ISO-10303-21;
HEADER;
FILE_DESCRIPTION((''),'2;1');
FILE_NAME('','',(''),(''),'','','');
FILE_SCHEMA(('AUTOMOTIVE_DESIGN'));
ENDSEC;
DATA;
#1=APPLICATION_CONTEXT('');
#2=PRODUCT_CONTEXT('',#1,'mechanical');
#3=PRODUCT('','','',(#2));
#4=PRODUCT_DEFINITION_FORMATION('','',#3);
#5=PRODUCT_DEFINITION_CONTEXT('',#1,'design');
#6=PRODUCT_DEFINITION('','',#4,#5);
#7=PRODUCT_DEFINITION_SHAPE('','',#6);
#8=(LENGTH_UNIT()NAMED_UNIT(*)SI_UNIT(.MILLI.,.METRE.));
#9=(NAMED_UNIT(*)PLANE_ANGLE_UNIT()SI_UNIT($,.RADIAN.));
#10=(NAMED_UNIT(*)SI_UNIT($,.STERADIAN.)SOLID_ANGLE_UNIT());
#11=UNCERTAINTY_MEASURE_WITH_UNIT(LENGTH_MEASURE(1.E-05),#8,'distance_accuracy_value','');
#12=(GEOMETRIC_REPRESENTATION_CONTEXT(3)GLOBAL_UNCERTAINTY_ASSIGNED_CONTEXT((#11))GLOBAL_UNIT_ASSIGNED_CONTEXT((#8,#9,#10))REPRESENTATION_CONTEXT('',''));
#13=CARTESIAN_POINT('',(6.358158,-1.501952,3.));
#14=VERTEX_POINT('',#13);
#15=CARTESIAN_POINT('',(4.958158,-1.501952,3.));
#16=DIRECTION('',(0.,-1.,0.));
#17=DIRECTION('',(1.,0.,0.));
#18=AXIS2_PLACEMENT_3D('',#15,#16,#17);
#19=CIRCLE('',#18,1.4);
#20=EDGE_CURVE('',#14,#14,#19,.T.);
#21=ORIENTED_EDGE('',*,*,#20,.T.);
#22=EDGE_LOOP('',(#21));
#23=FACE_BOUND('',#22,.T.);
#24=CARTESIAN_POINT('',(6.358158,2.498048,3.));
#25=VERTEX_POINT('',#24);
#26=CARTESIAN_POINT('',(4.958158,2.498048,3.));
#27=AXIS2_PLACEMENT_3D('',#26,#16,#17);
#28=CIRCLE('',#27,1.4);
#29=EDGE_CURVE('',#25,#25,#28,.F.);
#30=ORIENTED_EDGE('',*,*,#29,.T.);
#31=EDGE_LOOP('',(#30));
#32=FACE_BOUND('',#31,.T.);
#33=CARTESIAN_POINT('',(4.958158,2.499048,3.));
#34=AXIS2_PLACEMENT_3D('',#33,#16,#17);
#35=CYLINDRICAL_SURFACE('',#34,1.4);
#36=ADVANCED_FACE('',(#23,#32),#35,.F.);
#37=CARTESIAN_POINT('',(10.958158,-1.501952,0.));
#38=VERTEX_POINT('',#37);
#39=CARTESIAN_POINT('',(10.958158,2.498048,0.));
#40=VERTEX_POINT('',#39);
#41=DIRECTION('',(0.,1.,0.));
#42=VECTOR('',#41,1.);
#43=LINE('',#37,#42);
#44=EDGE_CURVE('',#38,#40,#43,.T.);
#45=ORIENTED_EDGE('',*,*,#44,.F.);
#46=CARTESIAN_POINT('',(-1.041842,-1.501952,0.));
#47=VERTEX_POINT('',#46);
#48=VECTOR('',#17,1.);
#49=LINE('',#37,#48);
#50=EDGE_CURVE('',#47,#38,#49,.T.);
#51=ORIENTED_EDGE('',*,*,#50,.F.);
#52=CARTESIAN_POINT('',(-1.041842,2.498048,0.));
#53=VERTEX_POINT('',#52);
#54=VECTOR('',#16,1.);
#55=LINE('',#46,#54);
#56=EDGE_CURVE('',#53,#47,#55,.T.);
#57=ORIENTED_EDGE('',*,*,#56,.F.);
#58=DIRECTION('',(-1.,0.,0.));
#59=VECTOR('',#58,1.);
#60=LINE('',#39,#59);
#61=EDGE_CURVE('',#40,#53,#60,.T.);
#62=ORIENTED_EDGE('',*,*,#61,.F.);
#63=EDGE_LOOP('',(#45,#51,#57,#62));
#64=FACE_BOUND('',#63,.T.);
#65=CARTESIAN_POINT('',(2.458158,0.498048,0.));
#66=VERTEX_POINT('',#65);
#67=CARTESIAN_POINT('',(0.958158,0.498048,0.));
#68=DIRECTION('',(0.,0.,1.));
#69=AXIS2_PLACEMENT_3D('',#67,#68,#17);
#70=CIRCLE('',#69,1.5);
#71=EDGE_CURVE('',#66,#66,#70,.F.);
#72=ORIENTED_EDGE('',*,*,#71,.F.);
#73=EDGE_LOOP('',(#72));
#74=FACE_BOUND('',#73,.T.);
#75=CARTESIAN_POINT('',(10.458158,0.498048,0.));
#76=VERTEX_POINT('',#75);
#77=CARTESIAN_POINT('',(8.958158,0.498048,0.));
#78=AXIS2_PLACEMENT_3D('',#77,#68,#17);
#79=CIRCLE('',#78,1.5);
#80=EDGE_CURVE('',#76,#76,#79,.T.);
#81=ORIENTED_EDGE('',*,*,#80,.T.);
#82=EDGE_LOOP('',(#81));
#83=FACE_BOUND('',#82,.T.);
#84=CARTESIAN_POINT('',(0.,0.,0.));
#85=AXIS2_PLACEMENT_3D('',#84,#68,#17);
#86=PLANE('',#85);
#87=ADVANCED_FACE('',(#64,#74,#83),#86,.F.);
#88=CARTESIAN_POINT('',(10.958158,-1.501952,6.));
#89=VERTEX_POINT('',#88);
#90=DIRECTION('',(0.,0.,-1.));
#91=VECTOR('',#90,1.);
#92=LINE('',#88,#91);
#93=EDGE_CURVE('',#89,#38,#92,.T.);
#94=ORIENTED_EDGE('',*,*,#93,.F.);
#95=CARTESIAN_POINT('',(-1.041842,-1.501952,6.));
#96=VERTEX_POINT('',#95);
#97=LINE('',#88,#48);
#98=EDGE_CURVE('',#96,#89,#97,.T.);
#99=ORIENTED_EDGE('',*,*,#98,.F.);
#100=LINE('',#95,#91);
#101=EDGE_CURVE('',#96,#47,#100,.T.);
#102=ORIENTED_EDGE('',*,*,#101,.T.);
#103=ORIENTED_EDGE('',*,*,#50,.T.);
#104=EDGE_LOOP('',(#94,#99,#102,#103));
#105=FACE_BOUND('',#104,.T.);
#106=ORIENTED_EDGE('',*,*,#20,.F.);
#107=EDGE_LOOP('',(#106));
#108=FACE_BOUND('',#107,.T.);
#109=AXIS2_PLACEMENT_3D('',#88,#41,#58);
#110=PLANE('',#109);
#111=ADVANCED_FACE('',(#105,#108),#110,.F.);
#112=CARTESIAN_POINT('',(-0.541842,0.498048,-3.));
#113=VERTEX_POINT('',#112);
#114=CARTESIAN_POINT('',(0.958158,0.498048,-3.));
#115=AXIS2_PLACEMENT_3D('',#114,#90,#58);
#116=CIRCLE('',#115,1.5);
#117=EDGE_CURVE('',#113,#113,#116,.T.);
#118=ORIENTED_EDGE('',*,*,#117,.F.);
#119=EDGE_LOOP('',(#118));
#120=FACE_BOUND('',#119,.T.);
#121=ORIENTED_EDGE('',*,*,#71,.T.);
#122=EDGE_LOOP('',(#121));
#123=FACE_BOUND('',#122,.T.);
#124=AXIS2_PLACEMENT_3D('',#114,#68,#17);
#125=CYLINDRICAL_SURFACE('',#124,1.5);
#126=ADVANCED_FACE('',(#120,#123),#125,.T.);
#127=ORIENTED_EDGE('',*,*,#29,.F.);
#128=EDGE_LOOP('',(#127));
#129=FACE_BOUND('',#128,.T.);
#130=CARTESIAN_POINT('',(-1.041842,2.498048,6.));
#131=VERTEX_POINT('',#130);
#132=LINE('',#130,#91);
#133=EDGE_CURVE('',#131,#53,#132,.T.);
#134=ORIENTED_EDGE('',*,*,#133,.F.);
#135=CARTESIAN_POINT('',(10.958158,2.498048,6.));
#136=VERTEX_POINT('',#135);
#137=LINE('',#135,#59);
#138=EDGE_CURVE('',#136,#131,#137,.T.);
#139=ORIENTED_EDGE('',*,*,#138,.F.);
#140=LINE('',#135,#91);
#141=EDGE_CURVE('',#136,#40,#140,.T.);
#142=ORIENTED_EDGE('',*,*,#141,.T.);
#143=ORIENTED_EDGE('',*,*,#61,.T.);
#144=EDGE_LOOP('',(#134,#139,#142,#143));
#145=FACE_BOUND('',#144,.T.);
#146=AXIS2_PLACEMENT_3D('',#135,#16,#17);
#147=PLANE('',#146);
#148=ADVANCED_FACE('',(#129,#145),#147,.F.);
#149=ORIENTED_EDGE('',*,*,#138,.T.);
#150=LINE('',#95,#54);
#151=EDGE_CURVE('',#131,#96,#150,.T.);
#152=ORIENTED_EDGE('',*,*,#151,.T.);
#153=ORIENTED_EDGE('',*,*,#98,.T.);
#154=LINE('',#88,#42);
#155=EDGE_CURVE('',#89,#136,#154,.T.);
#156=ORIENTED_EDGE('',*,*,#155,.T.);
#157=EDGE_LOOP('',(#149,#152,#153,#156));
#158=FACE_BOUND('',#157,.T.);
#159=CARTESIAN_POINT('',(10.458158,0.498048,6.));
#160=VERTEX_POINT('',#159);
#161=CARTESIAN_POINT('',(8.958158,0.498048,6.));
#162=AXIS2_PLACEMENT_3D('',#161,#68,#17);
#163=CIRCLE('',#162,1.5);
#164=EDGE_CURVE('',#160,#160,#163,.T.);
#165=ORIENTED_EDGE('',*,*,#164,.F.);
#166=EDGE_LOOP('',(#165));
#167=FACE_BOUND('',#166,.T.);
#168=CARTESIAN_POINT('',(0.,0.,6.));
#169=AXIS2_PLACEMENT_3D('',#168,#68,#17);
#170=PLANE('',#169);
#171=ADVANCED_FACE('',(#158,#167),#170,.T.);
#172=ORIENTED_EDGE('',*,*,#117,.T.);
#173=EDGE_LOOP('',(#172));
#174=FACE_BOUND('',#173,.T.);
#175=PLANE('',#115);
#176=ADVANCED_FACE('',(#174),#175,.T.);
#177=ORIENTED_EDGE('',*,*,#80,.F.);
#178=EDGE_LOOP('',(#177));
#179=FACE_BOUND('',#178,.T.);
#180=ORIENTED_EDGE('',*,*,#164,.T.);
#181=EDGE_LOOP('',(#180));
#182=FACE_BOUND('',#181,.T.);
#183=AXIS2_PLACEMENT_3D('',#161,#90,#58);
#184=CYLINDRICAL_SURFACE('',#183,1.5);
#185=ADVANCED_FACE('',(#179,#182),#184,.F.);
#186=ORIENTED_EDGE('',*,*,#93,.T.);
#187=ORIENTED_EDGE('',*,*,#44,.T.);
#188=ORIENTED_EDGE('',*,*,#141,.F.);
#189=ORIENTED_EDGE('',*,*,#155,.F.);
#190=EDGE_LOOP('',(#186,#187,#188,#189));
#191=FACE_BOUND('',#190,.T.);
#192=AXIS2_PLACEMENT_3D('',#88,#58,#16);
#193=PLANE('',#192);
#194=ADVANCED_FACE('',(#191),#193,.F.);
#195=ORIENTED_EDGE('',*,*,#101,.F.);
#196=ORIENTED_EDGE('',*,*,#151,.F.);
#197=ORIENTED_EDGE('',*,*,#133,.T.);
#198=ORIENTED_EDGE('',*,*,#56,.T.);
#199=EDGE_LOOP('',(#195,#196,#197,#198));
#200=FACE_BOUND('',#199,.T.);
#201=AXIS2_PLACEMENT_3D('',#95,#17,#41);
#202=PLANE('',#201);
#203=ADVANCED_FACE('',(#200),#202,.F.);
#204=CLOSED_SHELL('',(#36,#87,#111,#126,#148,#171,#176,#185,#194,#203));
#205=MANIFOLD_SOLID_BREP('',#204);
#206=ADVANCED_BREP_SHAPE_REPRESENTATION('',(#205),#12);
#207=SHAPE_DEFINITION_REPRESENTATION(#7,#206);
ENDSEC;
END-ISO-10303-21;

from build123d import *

# Parameters (mm, degrees)
SKETCH_1_W          = 12
SKETCH_1_H          = 4
SKETCH_1_R          = 1.5
EXTRUDE_1_DEPTH     = 6
SKETCH_2_R          = 1.5
EXTRUDE_2_DEPTH     = 3
CUT_EXTRUDE_1_REACH = 15.118
SKETCH_3_R          = 1.4


with BuildPart() as part:
    # Эскиз1 → Бобышка-Вытянуть1 (new body)
    with BuildSketch(Plane.XY):
        with Locations((4.958157727, 0.498048464)):
            Rectangle(SKETCH_1_W, SKETCH_1_H)
        with Locations((8.958157727, 0.498048464)):
            Circle(SKETCH_1_R, mode=Mode.SUBTRACT)
    extrude(amount=EXTRUDE_1_DEPTH)

    # Эскиз2 → Бобышка-Вытянуть2 (add)
    with BuildSketch(Plane(origin=(0, 0, 0), x_dir=(-1, 0, 0), z_dir=(0, 0, -1))):
        with Locations(Location((-0.958157727, 0.498048464, 0), (0, 0, 180))):
            Circle(SKETCH_2_R)
    extrude(amount=EXTRUDE_2_DEPTH)

    # Эскиз3 → Вырез-Вытянуть1 (cut, up to next)
    with BuildSketch(Plane.XZ.offset(1.501951536), mode=Mode.PRIVATE) as cut_extrude_1_sk1:
        with Locations((4.958157727, 3)):
            Circle(SKETCH_3_R)
    cut_extrude_1_tool1 = extrude(cut_extrude_1_sk1.sketch, amount=-CUT_EXTRUDE_1_REACH, mode=Mode.PRIVATE) & part.part
    add(cut_extrude_1_tool1.solids().sort_by_distance((4.958158, -1.501952, 3))[0], mode=Mode.SUBTRACT)


solid = part.part
